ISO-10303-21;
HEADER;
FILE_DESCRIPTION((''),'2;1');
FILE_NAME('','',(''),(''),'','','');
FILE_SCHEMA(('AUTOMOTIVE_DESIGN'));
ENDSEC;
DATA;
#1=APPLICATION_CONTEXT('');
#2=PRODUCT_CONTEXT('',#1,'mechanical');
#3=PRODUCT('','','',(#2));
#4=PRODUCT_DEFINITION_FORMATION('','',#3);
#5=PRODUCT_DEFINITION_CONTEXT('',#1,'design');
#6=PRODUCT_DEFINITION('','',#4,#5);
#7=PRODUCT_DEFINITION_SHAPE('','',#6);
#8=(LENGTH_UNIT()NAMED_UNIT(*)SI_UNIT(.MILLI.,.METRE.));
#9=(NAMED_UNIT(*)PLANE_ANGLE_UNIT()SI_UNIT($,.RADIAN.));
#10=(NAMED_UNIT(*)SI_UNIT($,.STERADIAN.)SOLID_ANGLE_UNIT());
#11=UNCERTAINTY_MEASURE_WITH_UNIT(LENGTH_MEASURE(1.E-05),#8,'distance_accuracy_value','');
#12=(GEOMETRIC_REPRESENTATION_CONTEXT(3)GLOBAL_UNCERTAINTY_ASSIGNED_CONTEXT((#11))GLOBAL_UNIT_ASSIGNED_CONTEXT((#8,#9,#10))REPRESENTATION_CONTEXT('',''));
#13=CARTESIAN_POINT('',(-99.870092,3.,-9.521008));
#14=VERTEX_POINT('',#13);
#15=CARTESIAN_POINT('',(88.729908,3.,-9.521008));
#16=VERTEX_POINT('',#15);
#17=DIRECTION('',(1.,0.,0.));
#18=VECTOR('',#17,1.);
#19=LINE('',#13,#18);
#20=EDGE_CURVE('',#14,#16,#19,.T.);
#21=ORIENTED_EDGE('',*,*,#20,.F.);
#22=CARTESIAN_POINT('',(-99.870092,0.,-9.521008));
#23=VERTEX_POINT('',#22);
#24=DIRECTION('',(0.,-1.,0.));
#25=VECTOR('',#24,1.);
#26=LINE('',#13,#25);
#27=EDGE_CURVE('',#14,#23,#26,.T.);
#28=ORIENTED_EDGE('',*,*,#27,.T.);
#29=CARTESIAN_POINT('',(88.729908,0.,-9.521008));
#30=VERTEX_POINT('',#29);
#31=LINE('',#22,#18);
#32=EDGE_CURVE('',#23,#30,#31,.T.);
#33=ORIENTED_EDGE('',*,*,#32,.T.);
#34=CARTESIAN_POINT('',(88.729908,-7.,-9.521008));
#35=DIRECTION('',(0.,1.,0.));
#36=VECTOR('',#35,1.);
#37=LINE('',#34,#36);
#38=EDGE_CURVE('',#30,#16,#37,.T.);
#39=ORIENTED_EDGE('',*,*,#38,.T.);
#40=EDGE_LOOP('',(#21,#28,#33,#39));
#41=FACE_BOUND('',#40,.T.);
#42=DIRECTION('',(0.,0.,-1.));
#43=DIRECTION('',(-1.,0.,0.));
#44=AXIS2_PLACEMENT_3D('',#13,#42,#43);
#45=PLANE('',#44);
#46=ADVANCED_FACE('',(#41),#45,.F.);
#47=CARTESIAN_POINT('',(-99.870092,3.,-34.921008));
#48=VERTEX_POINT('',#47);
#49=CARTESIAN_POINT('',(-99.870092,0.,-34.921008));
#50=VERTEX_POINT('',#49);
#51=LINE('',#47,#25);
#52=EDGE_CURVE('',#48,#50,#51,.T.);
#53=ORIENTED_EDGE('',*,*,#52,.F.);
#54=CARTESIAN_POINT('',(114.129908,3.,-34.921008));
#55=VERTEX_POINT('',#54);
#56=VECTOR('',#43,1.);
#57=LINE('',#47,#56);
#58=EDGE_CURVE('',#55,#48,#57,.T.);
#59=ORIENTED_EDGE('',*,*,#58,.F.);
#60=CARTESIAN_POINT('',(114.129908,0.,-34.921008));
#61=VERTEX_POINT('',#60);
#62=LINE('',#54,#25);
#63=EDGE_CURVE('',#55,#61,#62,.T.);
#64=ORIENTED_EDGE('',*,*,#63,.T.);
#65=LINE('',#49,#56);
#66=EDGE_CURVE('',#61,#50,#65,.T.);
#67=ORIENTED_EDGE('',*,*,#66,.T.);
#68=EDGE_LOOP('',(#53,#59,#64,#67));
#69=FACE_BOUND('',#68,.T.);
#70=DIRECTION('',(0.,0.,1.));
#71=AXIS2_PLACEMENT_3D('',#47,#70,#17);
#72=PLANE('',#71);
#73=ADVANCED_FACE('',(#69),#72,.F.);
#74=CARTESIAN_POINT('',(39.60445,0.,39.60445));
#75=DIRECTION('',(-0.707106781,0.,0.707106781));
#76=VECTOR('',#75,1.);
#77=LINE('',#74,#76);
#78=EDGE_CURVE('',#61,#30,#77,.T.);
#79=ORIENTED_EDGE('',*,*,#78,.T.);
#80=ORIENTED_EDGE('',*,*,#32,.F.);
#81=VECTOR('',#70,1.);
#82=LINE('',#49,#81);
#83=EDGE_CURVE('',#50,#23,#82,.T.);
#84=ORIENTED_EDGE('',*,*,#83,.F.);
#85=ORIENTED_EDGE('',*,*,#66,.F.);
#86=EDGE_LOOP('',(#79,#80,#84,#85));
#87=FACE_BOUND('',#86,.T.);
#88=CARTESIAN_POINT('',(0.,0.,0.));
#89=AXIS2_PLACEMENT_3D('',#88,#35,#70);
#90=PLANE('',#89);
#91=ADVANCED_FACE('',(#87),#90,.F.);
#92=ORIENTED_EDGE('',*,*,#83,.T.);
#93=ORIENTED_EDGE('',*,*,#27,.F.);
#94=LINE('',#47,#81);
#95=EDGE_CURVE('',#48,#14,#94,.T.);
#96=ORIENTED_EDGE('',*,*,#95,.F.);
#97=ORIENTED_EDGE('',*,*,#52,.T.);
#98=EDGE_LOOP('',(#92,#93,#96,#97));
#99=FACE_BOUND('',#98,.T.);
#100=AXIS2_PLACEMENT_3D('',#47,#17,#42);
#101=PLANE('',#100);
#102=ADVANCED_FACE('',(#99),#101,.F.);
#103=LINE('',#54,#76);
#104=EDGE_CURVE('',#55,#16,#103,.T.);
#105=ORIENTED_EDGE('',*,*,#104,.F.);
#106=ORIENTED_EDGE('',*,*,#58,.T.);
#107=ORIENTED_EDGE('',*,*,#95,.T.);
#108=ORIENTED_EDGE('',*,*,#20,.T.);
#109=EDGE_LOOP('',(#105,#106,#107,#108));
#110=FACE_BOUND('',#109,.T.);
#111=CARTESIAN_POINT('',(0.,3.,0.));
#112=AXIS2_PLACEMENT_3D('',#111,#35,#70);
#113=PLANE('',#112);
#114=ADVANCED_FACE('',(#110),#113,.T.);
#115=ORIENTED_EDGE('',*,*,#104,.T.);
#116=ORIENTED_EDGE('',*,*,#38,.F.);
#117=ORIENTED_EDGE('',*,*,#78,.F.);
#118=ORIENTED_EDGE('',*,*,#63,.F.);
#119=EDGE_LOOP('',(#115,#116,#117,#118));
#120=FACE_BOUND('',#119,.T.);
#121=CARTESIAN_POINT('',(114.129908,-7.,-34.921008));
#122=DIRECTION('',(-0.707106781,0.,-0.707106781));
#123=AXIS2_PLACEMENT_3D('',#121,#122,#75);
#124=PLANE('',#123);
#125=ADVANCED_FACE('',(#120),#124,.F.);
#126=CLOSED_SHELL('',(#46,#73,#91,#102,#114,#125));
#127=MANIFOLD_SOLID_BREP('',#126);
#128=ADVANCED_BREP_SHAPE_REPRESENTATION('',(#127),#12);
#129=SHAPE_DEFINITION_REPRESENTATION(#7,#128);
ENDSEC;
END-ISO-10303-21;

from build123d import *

# Parameters (mm, degrees)
SKETCH1_W           = 214
SKETCH1_H           = 25.4
BOSS_EXTRUDE1_DEPTH = 3
CUT_EXTRUDE2_DEPTH  = 10


with BuildPart() as part:
    # Sketch1 → Boss-Extrude1 (new body)
    with BuildSketch(Plane(origin=(0, 0, 0), x_dir=(1, 0, 0), z_dir=(0, 1, 0))):
        with Locations((7.129908201, 22.221008085)):
            Rectangle(SKETCH1_W, SKETCH1_H)
    extrude(amount=BOSS_EXTRUDE1_DEPTH)

    # Sketch2 → Cut-Extrude2 (cut)
    with BuildSketch(Plane(origin=(0, 3, 0), x_dir=(1, 0, 0), z_dir=(0, 1, 0))):
        Polygon((114.129908201, 34.921008085), (88.729908201, 9.521008085), (114.129908201, 9.521008085), align=None)
    extrude(amount=-CUT_EXTRUDE2_DEPTH, mode=Mode.SUBTRACT)


solid = part.part
